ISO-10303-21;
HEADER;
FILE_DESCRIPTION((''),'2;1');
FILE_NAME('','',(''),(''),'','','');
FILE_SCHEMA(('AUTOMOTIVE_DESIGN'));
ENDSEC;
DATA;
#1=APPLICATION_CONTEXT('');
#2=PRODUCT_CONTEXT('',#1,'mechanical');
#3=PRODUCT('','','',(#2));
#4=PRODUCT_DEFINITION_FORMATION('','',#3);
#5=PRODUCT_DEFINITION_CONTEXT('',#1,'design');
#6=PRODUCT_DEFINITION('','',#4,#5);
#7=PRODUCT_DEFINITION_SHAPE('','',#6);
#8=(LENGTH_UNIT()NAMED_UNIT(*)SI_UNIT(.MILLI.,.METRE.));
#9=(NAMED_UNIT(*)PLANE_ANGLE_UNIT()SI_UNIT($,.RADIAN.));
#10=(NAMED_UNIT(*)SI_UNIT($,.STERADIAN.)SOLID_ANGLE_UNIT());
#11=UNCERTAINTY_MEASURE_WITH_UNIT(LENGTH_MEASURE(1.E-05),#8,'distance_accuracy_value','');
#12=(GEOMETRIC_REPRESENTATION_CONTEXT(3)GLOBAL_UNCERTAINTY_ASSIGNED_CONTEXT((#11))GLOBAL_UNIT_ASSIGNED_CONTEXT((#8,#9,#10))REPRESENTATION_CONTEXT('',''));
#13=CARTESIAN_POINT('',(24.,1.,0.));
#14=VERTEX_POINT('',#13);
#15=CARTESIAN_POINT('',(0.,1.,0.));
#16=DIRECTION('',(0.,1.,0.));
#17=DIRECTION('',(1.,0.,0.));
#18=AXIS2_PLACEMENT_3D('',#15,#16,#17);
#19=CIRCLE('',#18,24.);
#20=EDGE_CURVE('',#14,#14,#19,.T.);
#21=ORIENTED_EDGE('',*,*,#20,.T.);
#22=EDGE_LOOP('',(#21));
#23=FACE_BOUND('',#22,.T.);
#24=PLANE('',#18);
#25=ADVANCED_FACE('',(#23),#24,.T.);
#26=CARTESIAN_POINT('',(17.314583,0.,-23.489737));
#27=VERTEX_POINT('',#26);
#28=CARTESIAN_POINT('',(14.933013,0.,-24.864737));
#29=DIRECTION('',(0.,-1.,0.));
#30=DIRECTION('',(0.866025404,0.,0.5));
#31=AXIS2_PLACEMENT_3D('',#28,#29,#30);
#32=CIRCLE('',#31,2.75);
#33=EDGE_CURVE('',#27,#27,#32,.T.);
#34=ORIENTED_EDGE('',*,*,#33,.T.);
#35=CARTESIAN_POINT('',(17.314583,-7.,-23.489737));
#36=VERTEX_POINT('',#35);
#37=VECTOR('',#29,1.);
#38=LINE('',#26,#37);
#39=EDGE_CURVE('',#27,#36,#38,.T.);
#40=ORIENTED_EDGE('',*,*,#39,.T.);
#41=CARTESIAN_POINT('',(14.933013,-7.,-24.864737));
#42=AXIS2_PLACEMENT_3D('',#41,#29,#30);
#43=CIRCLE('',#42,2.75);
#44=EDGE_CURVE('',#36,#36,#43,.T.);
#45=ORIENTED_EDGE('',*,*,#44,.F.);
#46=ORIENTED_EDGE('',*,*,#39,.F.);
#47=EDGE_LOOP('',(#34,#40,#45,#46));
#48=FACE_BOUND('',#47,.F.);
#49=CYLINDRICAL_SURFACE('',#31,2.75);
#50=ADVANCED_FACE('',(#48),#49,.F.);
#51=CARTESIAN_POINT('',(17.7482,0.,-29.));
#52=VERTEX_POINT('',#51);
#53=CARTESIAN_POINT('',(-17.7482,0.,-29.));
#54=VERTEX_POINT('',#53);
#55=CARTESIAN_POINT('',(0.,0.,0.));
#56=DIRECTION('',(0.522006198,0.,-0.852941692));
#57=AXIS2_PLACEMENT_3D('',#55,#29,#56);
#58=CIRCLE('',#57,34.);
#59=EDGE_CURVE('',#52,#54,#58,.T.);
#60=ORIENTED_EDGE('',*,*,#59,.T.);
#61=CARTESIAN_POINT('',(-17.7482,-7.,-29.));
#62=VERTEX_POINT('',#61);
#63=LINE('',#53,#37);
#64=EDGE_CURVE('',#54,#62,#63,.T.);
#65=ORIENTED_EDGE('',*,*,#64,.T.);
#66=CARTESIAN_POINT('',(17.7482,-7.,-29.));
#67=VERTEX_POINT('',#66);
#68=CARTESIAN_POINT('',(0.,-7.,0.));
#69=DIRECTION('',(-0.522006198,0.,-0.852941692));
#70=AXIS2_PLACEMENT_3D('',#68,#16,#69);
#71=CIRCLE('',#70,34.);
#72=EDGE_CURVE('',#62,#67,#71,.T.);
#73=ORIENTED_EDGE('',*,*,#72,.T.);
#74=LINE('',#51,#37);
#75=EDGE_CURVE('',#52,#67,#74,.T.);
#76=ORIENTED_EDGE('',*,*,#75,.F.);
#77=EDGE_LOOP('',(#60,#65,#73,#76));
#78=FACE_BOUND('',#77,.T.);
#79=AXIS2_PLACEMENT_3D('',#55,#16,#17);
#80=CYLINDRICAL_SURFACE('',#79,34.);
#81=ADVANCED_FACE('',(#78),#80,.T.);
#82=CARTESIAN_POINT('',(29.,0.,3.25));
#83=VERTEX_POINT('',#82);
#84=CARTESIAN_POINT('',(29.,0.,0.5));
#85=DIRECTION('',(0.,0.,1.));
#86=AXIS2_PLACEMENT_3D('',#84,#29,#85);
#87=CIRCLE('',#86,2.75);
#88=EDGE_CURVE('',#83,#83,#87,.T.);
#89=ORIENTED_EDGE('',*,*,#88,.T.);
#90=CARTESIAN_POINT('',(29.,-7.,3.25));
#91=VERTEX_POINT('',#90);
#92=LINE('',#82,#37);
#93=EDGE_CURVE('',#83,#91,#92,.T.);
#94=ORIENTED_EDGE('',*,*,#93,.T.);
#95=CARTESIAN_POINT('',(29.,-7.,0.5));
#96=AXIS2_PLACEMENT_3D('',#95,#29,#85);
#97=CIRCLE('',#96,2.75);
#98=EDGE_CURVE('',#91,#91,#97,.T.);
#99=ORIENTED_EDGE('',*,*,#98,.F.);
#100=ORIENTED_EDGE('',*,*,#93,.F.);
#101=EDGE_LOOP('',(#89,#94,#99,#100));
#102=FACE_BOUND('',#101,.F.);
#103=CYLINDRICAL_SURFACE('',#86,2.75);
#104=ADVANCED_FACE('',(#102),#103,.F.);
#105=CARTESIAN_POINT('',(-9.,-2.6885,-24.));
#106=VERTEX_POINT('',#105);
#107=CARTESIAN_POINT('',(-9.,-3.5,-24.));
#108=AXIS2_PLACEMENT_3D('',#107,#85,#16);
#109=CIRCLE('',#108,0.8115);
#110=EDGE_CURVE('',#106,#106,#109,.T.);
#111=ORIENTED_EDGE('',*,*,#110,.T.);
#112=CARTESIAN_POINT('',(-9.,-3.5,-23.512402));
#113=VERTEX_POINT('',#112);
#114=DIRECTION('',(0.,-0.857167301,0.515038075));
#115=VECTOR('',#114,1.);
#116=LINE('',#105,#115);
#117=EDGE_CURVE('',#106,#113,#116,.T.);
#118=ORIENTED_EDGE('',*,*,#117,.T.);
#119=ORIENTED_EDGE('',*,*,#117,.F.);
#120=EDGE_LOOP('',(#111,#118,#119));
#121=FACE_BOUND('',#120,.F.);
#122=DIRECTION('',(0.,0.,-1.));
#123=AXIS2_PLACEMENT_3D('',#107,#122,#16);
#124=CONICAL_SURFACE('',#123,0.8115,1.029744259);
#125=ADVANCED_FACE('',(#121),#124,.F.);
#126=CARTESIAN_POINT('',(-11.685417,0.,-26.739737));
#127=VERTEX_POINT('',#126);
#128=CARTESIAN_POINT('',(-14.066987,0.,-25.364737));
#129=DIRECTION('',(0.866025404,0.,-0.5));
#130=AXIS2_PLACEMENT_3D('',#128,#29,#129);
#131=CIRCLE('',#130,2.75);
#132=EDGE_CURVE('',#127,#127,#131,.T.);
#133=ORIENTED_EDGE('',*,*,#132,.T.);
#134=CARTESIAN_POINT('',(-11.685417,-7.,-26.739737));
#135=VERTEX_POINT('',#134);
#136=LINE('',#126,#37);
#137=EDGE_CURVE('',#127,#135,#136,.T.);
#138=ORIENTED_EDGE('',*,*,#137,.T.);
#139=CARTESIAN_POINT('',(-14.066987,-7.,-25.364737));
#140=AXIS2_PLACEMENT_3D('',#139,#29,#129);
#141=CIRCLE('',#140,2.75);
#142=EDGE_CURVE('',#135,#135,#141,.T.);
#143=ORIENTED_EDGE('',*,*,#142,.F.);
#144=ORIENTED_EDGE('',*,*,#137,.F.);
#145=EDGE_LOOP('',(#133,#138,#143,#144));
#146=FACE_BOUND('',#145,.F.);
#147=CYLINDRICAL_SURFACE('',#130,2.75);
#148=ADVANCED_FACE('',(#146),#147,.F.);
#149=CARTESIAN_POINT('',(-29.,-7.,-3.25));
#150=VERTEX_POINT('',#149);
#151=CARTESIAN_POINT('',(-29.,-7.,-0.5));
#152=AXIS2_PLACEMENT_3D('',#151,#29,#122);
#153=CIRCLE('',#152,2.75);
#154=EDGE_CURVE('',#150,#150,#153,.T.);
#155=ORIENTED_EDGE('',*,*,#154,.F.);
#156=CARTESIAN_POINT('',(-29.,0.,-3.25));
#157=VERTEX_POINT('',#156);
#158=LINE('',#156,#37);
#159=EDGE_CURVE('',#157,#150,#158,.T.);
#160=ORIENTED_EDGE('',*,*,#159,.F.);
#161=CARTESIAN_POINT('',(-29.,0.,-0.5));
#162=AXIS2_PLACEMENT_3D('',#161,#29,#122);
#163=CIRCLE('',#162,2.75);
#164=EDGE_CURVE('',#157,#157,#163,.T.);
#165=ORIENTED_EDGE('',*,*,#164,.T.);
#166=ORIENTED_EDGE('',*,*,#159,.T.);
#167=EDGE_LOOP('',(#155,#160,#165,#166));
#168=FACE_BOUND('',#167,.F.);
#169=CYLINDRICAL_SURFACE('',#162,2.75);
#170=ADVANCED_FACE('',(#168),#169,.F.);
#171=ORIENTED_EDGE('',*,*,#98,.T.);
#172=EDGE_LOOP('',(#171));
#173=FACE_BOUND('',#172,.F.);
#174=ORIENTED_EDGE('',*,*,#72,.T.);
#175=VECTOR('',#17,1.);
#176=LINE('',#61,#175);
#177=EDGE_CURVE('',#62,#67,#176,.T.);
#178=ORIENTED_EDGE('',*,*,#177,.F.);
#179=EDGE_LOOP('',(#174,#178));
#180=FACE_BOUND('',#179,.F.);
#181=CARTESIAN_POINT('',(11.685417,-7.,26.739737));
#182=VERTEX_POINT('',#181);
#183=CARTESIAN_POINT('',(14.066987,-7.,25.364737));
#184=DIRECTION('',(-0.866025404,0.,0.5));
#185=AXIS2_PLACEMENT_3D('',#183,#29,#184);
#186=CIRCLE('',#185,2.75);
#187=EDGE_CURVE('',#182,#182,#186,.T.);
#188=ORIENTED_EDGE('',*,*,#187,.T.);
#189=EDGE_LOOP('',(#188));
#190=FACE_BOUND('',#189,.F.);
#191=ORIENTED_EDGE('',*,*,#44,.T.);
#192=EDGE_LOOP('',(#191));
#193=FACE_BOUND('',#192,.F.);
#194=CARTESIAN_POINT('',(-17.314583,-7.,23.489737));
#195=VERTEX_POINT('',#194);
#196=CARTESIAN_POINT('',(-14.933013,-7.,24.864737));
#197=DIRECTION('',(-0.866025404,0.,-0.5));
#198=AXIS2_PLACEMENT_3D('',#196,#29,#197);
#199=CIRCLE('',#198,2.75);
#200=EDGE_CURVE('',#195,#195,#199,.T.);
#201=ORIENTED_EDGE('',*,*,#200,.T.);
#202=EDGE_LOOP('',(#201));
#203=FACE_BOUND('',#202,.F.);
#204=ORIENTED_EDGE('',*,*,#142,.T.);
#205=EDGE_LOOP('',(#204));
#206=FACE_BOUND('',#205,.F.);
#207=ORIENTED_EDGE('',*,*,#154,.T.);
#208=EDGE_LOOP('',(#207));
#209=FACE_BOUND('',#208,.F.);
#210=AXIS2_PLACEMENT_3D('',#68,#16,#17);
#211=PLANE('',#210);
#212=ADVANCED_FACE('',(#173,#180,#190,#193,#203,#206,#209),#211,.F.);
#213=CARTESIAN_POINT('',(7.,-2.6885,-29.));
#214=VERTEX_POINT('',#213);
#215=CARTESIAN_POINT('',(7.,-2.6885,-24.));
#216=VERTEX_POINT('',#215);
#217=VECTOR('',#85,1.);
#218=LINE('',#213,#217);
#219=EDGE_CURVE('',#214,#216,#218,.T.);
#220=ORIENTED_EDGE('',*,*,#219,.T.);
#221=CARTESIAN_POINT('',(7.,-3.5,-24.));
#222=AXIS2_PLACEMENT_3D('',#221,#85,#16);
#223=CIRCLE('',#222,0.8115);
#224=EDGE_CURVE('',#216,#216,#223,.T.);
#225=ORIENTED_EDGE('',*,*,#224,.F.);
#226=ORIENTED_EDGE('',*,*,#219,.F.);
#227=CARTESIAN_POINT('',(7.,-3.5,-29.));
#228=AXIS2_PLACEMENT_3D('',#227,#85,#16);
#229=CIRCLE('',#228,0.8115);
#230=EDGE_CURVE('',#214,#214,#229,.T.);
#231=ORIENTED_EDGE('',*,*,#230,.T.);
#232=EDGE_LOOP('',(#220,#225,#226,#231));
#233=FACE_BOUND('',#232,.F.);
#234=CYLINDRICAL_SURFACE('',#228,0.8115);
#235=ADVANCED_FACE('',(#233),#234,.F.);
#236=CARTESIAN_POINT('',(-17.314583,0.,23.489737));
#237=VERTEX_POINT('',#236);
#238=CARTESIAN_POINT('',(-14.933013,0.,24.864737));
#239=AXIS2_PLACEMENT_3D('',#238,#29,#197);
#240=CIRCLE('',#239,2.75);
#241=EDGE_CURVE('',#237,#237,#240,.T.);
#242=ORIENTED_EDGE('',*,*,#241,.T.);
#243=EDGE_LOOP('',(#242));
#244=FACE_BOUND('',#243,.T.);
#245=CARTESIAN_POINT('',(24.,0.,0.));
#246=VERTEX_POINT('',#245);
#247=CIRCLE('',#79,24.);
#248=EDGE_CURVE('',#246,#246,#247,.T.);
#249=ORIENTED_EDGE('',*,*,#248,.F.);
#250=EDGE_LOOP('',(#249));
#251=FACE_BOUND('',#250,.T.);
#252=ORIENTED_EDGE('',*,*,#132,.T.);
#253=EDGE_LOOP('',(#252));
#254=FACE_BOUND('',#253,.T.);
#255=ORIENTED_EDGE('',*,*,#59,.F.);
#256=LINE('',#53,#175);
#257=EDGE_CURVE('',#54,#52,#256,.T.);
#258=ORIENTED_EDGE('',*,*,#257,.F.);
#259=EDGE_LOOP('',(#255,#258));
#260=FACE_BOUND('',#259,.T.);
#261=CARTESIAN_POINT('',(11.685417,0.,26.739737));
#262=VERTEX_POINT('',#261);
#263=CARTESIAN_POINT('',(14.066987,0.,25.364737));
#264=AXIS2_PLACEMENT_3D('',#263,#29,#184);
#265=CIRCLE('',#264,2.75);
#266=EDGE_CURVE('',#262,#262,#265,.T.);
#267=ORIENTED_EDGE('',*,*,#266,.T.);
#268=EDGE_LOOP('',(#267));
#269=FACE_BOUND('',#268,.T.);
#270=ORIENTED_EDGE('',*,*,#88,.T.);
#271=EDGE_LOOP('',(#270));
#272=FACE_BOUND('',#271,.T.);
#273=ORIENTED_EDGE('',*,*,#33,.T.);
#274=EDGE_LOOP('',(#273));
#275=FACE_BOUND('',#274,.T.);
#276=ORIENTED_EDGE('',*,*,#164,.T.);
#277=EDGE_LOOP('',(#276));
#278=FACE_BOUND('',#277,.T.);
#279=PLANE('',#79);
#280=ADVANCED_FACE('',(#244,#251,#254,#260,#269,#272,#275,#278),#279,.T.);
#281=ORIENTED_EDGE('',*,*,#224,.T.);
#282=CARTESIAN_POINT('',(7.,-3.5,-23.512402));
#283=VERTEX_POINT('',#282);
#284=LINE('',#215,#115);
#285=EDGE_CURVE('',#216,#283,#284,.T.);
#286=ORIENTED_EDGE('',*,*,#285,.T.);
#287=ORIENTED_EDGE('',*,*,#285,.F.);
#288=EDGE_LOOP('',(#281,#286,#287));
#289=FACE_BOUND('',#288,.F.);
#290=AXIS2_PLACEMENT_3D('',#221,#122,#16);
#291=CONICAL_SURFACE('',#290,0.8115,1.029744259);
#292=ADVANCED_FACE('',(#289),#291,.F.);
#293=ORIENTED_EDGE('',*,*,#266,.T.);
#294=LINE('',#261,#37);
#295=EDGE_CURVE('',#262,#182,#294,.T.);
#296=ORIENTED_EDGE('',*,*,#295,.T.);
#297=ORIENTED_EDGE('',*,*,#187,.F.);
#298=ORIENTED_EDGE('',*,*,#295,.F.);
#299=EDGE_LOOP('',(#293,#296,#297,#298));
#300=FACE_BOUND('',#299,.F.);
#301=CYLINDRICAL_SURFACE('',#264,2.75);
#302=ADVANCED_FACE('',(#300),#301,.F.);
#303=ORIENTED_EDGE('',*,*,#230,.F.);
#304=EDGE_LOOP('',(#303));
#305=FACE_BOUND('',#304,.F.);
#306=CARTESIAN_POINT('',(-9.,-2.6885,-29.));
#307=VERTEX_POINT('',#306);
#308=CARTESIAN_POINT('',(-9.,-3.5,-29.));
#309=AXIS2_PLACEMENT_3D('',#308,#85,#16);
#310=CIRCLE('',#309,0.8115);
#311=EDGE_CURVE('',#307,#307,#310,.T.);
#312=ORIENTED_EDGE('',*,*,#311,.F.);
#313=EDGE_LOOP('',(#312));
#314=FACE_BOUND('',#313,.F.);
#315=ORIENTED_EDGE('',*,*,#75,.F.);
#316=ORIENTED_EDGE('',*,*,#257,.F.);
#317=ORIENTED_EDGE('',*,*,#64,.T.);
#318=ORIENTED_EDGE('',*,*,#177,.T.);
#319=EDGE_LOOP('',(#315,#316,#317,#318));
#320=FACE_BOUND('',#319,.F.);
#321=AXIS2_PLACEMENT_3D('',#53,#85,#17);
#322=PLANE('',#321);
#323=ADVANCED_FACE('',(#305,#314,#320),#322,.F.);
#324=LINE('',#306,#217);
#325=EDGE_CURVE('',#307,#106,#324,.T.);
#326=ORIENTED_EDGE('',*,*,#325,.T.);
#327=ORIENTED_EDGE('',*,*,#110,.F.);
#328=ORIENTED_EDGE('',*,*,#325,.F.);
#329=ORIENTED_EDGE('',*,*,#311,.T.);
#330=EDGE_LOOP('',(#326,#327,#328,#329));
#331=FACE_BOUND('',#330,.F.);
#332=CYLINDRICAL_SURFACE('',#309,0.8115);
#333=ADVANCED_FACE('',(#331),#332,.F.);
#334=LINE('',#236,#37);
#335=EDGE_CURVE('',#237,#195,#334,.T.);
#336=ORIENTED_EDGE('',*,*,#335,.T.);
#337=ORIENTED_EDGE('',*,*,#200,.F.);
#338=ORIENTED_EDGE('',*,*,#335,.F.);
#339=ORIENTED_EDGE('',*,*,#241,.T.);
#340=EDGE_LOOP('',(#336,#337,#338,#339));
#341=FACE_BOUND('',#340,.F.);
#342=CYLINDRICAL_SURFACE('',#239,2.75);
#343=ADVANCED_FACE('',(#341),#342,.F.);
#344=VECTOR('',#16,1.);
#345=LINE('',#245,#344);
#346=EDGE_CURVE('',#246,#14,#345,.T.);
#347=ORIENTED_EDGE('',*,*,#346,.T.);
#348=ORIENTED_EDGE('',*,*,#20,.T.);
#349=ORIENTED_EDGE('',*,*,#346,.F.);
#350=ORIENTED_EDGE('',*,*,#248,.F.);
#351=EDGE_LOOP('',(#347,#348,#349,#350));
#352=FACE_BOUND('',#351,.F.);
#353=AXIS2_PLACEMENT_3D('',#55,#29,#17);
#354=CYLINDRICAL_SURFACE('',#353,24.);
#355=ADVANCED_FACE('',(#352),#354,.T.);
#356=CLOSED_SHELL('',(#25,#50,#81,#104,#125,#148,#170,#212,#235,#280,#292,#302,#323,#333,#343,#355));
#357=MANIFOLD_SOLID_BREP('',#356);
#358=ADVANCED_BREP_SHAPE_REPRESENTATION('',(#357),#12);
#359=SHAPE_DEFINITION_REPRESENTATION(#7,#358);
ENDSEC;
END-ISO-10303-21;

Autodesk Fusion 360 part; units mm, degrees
sketch "Sketch1" plane through (0, 0, 0) normal (0, 1, 0) x (1, 0, 0)
  circle A0 centre (0, 0) radius 34
  line L0 (-17.7482, 29) -> (17.7482, 29)
  circle A1 centre (0, 0) radius 29 construction
  circle A2 centre (0, 0) radius 24
  point P0 (29, 0)
  dimension "d1" = 68
  dimension "d2" = 29
  dimension "d3" = 58
  dimension "d4" = 48
extrude "Extrude1" add sketch "Sketch1" against normal blind 7 contours A0 L0 | A2 picked at (0.5978, 27.311)
extrude "Extrude2" add sketch "Sketch1" along normal blind 1 contours A2
hole "Hole1" at (29, 0, 0.5) direction (0, -1, 0) diameter 5.5 end through all
pattern_circular "C-Pattern1" count 6 over 360 about axis through (0, 1.75, 0) along (0, 1, 0) of "Hole1"
sketch "Sketch2" plane through (0, 0, -29) normal (0, 0, -1) x (-1, 0, 0)
  line L0 (17.7482, 0) -> (-17.7482, 0)
  line L1 (-17.7482, 0) -> (-17.7482, -7)
  line L2 (-17.7482, -7) -> (17.7482, -7)
  line L3 (17.7482, -7) -> (17.7482, 0)
  line L4 (9, -3.5) -> (-7, -3.5) construction
  point P0 (9, -3.5)
  point P1 (-7, -3.5)
  dimension "d14" = 3.5
hole "Hole2" at (-9, -3.5, -29) at (7, -3.5, -29) direction (0, 0, 1) diameter 1.623 depth 5 tip angle 118
equation "d4 = ( 24 * 2 ) * 1 mm"
